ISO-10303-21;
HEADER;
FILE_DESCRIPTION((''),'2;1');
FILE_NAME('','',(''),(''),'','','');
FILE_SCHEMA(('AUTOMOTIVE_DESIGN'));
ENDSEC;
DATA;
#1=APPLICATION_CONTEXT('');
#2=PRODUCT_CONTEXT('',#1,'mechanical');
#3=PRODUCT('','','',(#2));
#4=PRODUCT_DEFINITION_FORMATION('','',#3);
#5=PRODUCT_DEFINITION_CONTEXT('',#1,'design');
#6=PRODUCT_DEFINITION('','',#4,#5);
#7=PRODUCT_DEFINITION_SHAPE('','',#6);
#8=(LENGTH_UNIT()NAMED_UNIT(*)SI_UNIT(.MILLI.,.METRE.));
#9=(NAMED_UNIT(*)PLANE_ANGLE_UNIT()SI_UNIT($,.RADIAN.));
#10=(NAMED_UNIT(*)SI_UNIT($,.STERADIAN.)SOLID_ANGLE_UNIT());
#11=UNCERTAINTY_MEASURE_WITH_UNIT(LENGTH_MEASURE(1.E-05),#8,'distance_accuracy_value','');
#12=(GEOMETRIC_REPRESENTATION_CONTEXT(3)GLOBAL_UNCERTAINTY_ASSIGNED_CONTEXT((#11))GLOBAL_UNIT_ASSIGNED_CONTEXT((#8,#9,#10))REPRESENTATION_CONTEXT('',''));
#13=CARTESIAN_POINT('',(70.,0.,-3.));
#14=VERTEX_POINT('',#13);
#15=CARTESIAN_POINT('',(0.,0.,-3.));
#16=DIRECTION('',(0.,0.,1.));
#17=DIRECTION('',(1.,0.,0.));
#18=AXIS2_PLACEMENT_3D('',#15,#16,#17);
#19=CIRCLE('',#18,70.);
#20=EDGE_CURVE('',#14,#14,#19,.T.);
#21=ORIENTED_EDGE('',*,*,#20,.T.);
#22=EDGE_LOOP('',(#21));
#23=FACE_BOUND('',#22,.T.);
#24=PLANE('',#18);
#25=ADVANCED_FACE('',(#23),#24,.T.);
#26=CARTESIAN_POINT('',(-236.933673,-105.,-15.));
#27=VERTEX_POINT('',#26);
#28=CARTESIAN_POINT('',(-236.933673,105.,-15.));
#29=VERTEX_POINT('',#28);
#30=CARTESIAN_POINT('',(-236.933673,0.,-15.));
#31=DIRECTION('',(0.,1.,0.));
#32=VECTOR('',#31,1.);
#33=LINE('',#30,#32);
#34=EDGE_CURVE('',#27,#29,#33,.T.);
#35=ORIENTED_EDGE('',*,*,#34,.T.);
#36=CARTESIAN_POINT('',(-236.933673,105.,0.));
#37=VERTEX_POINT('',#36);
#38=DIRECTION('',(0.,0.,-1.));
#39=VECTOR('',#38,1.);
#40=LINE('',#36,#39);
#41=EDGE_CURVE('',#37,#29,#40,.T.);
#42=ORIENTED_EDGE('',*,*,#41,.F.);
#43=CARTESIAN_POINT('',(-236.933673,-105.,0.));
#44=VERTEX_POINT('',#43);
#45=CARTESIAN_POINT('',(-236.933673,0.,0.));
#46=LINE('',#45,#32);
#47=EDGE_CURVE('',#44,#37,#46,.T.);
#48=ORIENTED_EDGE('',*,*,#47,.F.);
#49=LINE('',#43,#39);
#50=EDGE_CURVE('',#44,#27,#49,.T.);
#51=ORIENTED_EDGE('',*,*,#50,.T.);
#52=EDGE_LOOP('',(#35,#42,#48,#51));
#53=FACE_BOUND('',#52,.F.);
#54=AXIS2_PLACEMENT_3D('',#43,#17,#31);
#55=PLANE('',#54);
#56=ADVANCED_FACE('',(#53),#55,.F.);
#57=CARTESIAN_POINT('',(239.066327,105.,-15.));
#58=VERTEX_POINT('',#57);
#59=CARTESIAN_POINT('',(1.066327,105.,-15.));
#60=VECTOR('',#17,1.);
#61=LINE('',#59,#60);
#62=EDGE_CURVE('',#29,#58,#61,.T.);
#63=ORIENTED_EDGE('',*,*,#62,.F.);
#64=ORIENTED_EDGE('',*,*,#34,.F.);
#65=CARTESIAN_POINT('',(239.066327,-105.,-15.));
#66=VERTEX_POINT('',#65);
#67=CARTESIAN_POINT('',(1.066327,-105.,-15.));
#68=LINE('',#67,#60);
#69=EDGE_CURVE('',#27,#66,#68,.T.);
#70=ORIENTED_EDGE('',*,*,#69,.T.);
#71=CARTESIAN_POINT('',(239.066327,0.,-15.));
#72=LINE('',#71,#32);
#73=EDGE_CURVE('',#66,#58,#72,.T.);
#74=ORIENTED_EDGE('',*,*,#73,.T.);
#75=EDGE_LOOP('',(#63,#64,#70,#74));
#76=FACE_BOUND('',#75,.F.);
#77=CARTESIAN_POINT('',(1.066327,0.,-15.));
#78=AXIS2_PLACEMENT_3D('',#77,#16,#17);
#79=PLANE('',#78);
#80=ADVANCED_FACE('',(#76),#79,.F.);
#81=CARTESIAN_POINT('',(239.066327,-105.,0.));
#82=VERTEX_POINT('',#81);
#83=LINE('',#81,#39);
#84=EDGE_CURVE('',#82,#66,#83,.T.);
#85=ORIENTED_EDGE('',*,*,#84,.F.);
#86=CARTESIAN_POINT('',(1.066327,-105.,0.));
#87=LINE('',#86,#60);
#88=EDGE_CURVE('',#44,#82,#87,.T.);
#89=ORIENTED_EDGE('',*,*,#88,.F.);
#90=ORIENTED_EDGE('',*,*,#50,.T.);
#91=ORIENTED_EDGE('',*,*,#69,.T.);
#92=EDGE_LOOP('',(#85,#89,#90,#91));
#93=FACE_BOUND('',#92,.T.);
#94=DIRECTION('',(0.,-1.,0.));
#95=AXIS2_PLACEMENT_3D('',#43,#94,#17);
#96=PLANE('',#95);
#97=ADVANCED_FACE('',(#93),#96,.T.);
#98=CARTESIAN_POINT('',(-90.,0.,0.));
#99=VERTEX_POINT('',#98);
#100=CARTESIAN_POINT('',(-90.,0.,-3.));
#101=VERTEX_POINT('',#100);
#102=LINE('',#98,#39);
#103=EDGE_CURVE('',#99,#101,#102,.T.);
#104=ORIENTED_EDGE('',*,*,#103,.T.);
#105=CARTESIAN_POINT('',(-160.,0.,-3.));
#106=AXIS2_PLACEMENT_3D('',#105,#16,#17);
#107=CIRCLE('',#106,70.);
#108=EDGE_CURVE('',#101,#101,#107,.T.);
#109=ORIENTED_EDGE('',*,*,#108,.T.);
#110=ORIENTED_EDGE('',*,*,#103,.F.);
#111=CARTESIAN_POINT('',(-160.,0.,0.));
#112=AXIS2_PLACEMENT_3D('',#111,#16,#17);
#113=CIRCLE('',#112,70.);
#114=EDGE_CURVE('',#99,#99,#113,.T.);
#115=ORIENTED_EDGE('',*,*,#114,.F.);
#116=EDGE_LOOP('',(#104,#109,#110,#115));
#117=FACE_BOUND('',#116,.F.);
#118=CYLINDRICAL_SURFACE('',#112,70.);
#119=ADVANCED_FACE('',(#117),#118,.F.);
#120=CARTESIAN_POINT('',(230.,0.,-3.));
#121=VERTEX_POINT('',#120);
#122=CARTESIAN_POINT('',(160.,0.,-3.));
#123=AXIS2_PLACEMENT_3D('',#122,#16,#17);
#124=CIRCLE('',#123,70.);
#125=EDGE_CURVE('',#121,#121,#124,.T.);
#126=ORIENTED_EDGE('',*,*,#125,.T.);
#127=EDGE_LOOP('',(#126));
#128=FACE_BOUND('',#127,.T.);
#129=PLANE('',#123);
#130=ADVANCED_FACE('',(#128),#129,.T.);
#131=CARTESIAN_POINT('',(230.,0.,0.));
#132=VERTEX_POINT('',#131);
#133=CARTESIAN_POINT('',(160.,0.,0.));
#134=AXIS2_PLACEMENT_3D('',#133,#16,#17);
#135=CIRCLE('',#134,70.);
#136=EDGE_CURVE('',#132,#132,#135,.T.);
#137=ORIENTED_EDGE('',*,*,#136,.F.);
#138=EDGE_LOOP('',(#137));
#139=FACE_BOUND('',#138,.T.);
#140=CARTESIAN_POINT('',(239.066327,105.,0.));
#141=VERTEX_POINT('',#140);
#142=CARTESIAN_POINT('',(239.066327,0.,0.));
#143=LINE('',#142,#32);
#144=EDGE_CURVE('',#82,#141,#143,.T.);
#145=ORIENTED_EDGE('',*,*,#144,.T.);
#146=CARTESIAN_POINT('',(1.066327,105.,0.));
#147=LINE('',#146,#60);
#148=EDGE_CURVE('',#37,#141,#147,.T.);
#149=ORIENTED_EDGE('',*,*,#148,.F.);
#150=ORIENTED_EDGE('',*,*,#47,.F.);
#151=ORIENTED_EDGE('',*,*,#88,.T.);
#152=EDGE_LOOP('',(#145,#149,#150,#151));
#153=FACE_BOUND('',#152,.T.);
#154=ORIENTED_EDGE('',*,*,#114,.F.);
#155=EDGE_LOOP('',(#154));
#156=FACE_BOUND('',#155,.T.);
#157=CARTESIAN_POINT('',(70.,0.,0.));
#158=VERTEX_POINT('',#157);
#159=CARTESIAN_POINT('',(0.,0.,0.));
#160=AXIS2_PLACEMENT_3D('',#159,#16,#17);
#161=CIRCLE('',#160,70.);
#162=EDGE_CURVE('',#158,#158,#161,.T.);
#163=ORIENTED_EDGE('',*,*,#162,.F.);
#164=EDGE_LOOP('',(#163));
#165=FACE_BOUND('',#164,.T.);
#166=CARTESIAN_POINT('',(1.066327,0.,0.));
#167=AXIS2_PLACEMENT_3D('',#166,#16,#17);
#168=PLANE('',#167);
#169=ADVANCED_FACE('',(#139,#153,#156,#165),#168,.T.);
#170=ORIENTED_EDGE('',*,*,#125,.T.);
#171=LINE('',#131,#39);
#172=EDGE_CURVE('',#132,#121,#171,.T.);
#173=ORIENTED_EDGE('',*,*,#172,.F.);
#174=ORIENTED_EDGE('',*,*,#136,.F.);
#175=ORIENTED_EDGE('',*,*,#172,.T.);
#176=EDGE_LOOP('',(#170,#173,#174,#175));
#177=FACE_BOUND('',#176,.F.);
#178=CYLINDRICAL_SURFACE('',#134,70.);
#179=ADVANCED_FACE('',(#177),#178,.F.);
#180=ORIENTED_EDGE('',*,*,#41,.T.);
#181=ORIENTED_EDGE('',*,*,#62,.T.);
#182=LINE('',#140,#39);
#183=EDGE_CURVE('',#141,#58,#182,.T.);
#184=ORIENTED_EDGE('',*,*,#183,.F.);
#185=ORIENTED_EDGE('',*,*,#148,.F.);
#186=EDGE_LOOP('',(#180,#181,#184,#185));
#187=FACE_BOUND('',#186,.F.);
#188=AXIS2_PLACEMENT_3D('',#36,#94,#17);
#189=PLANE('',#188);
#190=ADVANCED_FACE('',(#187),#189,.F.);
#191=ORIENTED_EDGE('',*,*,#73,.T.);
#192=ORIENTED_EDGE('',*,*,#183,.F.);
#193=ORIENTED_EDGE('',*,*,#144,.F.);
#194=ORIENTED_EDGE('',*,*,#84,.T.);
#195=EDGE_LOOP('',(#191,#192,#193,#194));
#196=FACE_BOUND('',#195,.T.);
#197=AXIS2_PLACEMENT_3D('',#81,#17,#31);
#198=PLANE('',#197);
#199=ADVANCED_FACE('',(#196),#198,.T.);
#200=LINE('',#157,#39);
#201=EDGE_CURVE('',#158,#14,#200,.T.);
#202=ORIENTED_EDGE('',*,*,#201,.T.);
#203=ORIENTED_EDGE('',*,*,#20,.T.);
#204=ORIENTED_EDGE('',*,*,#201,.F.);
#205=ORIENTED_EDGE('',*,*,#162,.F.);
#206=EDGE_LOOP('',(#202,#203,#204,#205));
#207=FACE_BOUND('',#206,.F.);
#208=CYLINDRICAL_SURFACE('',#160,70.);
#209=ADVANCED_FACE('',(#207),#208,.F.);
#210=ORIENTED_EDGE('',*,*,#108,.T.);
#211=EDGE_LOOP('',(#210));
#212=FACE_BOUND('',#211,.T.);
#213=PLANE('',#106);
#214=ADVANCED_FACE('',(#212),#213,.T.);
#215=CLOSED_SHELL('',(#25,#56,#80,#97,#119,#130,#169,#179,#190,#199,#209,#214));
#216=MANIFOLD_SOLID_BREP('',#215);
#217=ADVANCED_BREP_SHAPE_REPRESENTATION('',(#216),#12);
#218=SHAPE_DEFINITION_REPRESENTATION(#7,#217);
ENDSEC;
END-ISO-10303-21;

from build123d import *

# Parameters (mm, degrees)
F0_W     = 476
F0_H     = 210
F0_R     = 70
F1_DEPTH = 15
F2_DEPTH = 3


with BuildPart() as f1:
    # F0 (on Top) → F1 (new body)
    with BuildSketch(Plane.XY):
        with Locations((1.066327, 0)):
            Rectangle(F0_W, F0_H)
        with Locations((-160, 0)):
            Circle(F0_R, mode=Mode.SUBTRACT)
        Circle(F0_R, mode=Mode.SUBTRACT)
        with Locations((160, 0)):
            Circle(F0_R, mode=Mode.SUBTRACT)
        with Locations((-160, 0)):
            Circle(F0_R)
        Circle(F0_R)
        with Locations((160, 0)):
            Circle(F0_R)
    extrude(amount=-F1_DEPTH)

    # F0 (on Top) → F2 (cut)
    with BuildSketch(Plane.XY):
        with Locations((-160, 0)):
            Circle(F0_R)
        Circle(F0_R)
        with Locations((160, 0)):
            Circle(F0_R)
    extrude(amount=-F2_DEPTH, mode=Mode.SUBTRACT)


solid = f1.part
